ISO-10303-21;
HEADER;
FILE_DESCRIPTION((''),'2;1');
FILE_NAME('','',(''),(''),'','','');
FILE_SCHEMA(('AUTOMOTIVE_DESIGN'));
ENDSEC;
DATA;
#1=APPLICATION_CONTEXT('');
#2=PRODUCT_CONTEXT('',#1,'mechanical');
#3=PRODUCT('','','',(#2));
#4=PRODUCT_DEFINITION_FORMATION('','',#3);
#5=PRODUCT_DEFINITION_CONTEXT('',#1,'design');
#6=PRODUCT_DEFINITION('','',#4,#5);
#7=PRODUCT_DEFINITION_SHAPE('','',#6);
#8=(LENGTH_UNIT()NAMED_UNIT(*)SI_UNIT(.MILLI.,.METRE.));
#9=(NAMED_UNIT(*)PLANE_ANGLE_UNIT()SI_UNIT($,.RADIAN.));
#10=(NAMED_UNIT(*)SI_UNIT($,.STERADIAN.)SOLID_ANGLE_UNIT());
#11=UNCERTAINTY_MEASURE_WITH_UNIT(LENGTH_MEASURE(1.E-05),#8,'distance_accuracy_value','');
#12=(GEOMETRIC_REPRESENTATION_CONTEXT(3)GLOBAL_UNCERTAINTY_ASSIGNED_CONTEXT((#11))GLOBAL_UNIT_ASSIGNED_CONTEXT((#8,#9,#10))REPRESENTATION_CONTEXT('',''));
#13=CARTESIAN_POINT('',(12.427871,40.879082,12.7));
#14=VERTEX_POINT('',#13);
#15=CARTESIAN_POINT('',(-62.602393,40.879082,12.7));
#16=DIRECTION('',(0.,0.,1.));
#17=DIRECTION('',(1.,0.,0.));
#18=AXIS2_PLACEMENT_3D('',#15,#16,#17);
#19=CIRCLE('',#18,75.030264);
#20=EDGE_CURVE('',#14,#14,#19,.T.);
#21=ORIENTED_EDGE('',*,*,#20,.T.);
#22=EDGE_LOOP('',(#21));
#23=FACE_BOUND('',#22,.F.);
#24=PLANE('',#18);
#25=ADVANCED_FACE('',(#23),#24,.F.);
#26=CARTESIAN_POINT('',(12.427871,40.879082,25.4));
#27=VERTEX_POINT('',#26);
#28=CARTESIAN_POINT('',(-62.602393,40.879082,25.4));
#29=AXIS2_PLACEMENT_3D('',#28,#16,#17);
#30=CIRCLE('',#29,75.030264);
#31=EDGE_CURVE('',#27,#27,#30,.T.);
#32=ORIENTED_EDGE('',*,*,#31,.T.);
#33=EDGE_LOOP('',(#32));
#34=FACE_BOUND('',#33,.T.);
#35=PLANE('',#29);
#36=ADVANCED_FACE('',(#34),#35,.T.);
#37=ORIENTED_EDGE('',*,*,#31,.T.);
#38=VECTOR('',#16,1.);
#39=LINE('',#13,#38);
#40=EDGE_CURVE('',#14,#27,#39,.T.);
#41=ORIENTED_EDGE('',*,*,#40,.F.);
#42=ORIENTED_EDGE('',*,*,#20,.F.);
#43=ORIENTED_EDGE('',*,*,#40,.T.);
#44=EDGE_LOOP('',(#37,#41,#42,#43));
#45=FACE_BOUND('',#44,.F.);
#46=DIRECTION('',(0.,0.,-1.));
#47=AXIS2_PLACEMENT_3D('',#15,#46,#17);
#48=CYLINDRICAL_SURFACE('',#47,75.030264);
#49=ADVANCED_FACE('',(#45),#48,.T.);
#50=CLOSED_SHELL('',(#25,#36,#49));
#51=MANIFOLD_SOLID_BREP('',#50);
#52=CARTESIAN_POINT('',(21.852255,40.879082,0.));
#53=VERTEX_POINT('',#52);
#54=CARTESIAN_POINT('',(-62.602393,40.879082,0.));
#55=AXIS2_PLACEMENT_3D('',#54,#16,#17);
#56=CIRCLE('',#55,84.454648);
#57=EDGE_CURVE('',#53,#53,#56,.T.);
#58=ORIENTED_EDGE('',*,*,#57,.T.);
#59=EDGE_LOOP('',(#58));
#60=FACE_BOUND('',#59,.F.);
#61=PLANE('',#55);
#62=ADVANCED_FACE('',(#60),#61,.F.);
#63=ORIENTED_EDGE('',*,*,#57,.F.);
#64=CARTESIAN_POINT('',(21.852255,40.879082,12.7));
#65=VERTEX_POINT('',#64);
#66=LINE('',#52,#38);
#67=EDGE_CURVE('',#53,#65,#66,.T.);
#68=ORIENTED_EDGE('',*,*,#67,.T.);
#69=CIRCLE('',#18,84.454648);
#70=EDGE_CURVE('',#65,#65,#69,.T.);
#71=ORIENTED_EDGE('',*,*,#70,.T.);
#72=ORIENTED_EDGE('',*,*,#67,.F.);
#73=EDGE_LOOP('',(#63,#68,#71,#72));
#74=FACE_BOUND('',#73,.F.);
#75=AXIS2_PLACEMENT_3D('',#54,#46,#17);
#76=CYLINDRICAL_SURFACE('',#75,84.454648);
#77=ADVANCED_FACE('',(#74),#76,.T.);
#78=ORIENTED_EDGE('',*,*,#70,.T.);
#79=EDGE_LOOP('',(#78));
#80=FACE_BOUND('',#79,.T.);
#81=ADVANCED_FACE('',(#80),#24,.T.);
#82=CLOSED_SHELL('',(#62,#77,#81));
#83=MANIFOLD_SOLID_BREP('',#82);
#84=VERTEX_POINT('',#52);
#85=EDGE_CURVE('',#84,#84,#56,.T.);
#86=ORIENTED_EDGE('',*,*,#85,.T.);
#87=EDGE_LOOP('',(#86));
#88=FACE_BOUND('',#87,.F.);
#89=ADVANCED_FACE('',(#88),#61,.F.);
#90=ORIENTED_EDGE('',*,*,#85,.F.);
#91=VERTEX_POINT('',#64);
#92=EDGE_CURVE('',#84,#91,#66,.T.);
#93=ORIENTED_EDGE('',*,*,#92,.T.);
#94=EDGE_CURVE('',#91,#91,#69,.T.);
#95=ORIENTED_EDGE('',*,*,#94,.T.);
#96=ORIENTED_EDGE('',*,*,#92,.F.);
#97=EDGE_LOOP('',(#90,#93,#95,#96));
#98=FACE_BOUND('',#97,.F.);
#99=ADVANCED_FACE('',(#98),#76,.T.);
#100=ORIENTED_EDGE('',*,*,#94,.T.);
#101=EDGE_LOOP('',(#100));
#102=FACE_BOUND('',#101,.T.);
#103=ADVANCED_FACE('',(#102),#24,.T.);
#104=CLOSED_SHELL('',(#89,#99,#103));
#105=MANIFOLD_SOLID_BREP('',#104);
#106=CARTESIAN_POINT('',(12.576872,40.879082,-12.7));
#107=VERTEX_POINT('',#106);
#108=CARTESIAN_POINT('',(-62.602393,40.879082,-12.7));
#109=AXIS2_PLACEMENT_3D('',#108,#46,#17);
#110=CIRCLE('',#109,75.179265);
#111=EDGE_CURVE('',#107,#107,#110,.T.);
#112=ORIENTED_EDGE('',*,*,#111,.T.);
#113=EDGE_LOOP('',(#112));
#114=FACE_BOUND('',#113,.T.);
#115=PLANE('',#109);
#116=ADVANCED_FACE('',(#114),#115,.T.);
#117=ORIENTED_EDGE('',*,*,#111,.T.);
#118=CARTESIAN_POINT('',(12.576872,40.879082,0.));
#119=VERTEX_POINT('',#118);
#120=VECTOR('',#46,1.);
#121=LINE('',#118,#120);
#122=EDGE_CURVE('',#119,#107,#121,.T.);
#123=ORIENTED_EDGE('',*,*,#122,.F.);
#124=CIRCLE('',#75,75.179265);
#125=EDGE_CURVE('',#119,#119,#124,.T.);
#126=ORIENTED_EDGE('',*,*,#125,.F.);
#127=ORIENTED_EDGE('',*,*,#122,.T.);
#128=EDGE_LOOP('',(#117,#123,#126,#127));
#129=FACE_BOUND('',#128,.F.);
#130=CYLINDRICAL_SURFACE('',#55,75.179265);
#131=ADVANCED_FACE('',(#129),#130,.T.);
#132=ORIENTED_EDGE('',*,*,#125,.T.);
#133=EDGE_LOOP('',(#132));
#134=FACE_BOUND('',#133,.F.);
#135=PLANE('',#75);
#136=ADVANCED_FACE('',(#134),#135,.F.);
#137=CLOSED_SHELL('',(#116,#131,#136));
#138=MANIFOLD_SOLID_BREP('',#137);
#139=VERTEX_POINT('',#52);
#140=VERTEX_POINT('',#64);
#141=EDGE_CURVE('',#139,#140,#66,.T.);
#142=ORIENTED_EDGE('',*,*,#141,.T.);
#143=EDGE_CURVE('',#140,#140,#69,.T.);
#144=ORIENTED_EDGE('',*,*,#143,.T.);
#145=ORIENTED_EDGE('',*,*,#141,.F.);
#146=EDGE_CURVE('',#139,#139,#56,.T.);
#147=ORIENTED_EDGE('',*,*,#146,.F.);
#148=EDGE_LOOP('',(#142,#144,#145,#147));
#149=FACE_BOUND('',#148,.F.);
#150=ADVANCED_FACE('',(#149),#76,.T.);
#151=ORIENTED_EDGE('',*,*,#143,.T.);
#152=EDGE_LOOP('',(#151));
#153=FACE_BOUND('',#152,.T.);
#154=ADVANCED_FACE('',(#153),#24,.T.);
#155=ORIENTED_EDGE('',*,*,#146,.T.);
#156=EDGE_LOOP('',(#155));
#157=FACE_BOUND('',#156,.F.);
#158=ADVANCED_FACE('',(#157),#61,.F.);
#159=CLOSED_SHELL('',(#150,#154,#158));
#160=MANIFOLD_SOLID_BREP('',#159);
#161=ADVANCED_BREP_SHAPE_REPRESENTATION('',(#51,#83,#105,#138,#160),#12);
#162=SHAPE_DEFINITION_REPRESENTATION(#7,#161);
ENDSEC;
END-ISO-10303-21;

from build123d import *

# Parameters (mm, degrees)
F0_R      = 84.454648138
F3_DEPTH  = 12.7
F1_R      = 84.454648138
F2_R      = 84.454648138
F5_R      = 75.179264918
F7_DEPTH  = 12.7
F9_R      = 75.0302642661
F10_DEPTH = 12.7


with BuildPart() as f3:
    # F0 (on Top) → F3 (new body)
    with BuildSketch(Plane.XY):
        with Locations((-62.6023933291, 40.8790819347)):
            Circle(F0_R)
    extrude(amount=F3_DEPTH)


with BuildPart() as f3b:
    # F1 (on face) → F3, piece 2 (new body)
    with BuildSketch(Plane.XY):
        with Locations((-62.6023933291, 40.8790819347)):
            Circle(F1_R)
    extrude(amount=F3_DEPTH)


with BuildPart() as f3c:
    # F2 (on face) → F3, piece 3 (new body)
    with BuildSketch(Plane.XY):
        with Locations((-62.6023933291, 40.8790819347)):
            Circle(F2_R)
    extrude(amount=F3_DEPTH)


with BuildPart() as f7:
    # F5 (on face) → F7 (new body)
    with BuildSketch(Plane(origin=(0, 0, 0), x_dir=(1, 0, 0), z_dir=(0, 0, -1))):
        with Locations((-62.6023933291, -40.8790819347)):
            Circle(F5_R)
    extrude(amount=F7_DEPTH)


with BuildPart() as f10:
    # F9 (on face) → F10 (new body)
    with BuildSketch(Plane.XY.offset(12.7)):
        with Locations((-62.6023933291, 40.8790819347)):
            Circle(F9_R)
    extrude(amount=F10_DEPTH)


solid = Compound([f3.part, f3b.part, f3c.part, f7.part, f10.part])
